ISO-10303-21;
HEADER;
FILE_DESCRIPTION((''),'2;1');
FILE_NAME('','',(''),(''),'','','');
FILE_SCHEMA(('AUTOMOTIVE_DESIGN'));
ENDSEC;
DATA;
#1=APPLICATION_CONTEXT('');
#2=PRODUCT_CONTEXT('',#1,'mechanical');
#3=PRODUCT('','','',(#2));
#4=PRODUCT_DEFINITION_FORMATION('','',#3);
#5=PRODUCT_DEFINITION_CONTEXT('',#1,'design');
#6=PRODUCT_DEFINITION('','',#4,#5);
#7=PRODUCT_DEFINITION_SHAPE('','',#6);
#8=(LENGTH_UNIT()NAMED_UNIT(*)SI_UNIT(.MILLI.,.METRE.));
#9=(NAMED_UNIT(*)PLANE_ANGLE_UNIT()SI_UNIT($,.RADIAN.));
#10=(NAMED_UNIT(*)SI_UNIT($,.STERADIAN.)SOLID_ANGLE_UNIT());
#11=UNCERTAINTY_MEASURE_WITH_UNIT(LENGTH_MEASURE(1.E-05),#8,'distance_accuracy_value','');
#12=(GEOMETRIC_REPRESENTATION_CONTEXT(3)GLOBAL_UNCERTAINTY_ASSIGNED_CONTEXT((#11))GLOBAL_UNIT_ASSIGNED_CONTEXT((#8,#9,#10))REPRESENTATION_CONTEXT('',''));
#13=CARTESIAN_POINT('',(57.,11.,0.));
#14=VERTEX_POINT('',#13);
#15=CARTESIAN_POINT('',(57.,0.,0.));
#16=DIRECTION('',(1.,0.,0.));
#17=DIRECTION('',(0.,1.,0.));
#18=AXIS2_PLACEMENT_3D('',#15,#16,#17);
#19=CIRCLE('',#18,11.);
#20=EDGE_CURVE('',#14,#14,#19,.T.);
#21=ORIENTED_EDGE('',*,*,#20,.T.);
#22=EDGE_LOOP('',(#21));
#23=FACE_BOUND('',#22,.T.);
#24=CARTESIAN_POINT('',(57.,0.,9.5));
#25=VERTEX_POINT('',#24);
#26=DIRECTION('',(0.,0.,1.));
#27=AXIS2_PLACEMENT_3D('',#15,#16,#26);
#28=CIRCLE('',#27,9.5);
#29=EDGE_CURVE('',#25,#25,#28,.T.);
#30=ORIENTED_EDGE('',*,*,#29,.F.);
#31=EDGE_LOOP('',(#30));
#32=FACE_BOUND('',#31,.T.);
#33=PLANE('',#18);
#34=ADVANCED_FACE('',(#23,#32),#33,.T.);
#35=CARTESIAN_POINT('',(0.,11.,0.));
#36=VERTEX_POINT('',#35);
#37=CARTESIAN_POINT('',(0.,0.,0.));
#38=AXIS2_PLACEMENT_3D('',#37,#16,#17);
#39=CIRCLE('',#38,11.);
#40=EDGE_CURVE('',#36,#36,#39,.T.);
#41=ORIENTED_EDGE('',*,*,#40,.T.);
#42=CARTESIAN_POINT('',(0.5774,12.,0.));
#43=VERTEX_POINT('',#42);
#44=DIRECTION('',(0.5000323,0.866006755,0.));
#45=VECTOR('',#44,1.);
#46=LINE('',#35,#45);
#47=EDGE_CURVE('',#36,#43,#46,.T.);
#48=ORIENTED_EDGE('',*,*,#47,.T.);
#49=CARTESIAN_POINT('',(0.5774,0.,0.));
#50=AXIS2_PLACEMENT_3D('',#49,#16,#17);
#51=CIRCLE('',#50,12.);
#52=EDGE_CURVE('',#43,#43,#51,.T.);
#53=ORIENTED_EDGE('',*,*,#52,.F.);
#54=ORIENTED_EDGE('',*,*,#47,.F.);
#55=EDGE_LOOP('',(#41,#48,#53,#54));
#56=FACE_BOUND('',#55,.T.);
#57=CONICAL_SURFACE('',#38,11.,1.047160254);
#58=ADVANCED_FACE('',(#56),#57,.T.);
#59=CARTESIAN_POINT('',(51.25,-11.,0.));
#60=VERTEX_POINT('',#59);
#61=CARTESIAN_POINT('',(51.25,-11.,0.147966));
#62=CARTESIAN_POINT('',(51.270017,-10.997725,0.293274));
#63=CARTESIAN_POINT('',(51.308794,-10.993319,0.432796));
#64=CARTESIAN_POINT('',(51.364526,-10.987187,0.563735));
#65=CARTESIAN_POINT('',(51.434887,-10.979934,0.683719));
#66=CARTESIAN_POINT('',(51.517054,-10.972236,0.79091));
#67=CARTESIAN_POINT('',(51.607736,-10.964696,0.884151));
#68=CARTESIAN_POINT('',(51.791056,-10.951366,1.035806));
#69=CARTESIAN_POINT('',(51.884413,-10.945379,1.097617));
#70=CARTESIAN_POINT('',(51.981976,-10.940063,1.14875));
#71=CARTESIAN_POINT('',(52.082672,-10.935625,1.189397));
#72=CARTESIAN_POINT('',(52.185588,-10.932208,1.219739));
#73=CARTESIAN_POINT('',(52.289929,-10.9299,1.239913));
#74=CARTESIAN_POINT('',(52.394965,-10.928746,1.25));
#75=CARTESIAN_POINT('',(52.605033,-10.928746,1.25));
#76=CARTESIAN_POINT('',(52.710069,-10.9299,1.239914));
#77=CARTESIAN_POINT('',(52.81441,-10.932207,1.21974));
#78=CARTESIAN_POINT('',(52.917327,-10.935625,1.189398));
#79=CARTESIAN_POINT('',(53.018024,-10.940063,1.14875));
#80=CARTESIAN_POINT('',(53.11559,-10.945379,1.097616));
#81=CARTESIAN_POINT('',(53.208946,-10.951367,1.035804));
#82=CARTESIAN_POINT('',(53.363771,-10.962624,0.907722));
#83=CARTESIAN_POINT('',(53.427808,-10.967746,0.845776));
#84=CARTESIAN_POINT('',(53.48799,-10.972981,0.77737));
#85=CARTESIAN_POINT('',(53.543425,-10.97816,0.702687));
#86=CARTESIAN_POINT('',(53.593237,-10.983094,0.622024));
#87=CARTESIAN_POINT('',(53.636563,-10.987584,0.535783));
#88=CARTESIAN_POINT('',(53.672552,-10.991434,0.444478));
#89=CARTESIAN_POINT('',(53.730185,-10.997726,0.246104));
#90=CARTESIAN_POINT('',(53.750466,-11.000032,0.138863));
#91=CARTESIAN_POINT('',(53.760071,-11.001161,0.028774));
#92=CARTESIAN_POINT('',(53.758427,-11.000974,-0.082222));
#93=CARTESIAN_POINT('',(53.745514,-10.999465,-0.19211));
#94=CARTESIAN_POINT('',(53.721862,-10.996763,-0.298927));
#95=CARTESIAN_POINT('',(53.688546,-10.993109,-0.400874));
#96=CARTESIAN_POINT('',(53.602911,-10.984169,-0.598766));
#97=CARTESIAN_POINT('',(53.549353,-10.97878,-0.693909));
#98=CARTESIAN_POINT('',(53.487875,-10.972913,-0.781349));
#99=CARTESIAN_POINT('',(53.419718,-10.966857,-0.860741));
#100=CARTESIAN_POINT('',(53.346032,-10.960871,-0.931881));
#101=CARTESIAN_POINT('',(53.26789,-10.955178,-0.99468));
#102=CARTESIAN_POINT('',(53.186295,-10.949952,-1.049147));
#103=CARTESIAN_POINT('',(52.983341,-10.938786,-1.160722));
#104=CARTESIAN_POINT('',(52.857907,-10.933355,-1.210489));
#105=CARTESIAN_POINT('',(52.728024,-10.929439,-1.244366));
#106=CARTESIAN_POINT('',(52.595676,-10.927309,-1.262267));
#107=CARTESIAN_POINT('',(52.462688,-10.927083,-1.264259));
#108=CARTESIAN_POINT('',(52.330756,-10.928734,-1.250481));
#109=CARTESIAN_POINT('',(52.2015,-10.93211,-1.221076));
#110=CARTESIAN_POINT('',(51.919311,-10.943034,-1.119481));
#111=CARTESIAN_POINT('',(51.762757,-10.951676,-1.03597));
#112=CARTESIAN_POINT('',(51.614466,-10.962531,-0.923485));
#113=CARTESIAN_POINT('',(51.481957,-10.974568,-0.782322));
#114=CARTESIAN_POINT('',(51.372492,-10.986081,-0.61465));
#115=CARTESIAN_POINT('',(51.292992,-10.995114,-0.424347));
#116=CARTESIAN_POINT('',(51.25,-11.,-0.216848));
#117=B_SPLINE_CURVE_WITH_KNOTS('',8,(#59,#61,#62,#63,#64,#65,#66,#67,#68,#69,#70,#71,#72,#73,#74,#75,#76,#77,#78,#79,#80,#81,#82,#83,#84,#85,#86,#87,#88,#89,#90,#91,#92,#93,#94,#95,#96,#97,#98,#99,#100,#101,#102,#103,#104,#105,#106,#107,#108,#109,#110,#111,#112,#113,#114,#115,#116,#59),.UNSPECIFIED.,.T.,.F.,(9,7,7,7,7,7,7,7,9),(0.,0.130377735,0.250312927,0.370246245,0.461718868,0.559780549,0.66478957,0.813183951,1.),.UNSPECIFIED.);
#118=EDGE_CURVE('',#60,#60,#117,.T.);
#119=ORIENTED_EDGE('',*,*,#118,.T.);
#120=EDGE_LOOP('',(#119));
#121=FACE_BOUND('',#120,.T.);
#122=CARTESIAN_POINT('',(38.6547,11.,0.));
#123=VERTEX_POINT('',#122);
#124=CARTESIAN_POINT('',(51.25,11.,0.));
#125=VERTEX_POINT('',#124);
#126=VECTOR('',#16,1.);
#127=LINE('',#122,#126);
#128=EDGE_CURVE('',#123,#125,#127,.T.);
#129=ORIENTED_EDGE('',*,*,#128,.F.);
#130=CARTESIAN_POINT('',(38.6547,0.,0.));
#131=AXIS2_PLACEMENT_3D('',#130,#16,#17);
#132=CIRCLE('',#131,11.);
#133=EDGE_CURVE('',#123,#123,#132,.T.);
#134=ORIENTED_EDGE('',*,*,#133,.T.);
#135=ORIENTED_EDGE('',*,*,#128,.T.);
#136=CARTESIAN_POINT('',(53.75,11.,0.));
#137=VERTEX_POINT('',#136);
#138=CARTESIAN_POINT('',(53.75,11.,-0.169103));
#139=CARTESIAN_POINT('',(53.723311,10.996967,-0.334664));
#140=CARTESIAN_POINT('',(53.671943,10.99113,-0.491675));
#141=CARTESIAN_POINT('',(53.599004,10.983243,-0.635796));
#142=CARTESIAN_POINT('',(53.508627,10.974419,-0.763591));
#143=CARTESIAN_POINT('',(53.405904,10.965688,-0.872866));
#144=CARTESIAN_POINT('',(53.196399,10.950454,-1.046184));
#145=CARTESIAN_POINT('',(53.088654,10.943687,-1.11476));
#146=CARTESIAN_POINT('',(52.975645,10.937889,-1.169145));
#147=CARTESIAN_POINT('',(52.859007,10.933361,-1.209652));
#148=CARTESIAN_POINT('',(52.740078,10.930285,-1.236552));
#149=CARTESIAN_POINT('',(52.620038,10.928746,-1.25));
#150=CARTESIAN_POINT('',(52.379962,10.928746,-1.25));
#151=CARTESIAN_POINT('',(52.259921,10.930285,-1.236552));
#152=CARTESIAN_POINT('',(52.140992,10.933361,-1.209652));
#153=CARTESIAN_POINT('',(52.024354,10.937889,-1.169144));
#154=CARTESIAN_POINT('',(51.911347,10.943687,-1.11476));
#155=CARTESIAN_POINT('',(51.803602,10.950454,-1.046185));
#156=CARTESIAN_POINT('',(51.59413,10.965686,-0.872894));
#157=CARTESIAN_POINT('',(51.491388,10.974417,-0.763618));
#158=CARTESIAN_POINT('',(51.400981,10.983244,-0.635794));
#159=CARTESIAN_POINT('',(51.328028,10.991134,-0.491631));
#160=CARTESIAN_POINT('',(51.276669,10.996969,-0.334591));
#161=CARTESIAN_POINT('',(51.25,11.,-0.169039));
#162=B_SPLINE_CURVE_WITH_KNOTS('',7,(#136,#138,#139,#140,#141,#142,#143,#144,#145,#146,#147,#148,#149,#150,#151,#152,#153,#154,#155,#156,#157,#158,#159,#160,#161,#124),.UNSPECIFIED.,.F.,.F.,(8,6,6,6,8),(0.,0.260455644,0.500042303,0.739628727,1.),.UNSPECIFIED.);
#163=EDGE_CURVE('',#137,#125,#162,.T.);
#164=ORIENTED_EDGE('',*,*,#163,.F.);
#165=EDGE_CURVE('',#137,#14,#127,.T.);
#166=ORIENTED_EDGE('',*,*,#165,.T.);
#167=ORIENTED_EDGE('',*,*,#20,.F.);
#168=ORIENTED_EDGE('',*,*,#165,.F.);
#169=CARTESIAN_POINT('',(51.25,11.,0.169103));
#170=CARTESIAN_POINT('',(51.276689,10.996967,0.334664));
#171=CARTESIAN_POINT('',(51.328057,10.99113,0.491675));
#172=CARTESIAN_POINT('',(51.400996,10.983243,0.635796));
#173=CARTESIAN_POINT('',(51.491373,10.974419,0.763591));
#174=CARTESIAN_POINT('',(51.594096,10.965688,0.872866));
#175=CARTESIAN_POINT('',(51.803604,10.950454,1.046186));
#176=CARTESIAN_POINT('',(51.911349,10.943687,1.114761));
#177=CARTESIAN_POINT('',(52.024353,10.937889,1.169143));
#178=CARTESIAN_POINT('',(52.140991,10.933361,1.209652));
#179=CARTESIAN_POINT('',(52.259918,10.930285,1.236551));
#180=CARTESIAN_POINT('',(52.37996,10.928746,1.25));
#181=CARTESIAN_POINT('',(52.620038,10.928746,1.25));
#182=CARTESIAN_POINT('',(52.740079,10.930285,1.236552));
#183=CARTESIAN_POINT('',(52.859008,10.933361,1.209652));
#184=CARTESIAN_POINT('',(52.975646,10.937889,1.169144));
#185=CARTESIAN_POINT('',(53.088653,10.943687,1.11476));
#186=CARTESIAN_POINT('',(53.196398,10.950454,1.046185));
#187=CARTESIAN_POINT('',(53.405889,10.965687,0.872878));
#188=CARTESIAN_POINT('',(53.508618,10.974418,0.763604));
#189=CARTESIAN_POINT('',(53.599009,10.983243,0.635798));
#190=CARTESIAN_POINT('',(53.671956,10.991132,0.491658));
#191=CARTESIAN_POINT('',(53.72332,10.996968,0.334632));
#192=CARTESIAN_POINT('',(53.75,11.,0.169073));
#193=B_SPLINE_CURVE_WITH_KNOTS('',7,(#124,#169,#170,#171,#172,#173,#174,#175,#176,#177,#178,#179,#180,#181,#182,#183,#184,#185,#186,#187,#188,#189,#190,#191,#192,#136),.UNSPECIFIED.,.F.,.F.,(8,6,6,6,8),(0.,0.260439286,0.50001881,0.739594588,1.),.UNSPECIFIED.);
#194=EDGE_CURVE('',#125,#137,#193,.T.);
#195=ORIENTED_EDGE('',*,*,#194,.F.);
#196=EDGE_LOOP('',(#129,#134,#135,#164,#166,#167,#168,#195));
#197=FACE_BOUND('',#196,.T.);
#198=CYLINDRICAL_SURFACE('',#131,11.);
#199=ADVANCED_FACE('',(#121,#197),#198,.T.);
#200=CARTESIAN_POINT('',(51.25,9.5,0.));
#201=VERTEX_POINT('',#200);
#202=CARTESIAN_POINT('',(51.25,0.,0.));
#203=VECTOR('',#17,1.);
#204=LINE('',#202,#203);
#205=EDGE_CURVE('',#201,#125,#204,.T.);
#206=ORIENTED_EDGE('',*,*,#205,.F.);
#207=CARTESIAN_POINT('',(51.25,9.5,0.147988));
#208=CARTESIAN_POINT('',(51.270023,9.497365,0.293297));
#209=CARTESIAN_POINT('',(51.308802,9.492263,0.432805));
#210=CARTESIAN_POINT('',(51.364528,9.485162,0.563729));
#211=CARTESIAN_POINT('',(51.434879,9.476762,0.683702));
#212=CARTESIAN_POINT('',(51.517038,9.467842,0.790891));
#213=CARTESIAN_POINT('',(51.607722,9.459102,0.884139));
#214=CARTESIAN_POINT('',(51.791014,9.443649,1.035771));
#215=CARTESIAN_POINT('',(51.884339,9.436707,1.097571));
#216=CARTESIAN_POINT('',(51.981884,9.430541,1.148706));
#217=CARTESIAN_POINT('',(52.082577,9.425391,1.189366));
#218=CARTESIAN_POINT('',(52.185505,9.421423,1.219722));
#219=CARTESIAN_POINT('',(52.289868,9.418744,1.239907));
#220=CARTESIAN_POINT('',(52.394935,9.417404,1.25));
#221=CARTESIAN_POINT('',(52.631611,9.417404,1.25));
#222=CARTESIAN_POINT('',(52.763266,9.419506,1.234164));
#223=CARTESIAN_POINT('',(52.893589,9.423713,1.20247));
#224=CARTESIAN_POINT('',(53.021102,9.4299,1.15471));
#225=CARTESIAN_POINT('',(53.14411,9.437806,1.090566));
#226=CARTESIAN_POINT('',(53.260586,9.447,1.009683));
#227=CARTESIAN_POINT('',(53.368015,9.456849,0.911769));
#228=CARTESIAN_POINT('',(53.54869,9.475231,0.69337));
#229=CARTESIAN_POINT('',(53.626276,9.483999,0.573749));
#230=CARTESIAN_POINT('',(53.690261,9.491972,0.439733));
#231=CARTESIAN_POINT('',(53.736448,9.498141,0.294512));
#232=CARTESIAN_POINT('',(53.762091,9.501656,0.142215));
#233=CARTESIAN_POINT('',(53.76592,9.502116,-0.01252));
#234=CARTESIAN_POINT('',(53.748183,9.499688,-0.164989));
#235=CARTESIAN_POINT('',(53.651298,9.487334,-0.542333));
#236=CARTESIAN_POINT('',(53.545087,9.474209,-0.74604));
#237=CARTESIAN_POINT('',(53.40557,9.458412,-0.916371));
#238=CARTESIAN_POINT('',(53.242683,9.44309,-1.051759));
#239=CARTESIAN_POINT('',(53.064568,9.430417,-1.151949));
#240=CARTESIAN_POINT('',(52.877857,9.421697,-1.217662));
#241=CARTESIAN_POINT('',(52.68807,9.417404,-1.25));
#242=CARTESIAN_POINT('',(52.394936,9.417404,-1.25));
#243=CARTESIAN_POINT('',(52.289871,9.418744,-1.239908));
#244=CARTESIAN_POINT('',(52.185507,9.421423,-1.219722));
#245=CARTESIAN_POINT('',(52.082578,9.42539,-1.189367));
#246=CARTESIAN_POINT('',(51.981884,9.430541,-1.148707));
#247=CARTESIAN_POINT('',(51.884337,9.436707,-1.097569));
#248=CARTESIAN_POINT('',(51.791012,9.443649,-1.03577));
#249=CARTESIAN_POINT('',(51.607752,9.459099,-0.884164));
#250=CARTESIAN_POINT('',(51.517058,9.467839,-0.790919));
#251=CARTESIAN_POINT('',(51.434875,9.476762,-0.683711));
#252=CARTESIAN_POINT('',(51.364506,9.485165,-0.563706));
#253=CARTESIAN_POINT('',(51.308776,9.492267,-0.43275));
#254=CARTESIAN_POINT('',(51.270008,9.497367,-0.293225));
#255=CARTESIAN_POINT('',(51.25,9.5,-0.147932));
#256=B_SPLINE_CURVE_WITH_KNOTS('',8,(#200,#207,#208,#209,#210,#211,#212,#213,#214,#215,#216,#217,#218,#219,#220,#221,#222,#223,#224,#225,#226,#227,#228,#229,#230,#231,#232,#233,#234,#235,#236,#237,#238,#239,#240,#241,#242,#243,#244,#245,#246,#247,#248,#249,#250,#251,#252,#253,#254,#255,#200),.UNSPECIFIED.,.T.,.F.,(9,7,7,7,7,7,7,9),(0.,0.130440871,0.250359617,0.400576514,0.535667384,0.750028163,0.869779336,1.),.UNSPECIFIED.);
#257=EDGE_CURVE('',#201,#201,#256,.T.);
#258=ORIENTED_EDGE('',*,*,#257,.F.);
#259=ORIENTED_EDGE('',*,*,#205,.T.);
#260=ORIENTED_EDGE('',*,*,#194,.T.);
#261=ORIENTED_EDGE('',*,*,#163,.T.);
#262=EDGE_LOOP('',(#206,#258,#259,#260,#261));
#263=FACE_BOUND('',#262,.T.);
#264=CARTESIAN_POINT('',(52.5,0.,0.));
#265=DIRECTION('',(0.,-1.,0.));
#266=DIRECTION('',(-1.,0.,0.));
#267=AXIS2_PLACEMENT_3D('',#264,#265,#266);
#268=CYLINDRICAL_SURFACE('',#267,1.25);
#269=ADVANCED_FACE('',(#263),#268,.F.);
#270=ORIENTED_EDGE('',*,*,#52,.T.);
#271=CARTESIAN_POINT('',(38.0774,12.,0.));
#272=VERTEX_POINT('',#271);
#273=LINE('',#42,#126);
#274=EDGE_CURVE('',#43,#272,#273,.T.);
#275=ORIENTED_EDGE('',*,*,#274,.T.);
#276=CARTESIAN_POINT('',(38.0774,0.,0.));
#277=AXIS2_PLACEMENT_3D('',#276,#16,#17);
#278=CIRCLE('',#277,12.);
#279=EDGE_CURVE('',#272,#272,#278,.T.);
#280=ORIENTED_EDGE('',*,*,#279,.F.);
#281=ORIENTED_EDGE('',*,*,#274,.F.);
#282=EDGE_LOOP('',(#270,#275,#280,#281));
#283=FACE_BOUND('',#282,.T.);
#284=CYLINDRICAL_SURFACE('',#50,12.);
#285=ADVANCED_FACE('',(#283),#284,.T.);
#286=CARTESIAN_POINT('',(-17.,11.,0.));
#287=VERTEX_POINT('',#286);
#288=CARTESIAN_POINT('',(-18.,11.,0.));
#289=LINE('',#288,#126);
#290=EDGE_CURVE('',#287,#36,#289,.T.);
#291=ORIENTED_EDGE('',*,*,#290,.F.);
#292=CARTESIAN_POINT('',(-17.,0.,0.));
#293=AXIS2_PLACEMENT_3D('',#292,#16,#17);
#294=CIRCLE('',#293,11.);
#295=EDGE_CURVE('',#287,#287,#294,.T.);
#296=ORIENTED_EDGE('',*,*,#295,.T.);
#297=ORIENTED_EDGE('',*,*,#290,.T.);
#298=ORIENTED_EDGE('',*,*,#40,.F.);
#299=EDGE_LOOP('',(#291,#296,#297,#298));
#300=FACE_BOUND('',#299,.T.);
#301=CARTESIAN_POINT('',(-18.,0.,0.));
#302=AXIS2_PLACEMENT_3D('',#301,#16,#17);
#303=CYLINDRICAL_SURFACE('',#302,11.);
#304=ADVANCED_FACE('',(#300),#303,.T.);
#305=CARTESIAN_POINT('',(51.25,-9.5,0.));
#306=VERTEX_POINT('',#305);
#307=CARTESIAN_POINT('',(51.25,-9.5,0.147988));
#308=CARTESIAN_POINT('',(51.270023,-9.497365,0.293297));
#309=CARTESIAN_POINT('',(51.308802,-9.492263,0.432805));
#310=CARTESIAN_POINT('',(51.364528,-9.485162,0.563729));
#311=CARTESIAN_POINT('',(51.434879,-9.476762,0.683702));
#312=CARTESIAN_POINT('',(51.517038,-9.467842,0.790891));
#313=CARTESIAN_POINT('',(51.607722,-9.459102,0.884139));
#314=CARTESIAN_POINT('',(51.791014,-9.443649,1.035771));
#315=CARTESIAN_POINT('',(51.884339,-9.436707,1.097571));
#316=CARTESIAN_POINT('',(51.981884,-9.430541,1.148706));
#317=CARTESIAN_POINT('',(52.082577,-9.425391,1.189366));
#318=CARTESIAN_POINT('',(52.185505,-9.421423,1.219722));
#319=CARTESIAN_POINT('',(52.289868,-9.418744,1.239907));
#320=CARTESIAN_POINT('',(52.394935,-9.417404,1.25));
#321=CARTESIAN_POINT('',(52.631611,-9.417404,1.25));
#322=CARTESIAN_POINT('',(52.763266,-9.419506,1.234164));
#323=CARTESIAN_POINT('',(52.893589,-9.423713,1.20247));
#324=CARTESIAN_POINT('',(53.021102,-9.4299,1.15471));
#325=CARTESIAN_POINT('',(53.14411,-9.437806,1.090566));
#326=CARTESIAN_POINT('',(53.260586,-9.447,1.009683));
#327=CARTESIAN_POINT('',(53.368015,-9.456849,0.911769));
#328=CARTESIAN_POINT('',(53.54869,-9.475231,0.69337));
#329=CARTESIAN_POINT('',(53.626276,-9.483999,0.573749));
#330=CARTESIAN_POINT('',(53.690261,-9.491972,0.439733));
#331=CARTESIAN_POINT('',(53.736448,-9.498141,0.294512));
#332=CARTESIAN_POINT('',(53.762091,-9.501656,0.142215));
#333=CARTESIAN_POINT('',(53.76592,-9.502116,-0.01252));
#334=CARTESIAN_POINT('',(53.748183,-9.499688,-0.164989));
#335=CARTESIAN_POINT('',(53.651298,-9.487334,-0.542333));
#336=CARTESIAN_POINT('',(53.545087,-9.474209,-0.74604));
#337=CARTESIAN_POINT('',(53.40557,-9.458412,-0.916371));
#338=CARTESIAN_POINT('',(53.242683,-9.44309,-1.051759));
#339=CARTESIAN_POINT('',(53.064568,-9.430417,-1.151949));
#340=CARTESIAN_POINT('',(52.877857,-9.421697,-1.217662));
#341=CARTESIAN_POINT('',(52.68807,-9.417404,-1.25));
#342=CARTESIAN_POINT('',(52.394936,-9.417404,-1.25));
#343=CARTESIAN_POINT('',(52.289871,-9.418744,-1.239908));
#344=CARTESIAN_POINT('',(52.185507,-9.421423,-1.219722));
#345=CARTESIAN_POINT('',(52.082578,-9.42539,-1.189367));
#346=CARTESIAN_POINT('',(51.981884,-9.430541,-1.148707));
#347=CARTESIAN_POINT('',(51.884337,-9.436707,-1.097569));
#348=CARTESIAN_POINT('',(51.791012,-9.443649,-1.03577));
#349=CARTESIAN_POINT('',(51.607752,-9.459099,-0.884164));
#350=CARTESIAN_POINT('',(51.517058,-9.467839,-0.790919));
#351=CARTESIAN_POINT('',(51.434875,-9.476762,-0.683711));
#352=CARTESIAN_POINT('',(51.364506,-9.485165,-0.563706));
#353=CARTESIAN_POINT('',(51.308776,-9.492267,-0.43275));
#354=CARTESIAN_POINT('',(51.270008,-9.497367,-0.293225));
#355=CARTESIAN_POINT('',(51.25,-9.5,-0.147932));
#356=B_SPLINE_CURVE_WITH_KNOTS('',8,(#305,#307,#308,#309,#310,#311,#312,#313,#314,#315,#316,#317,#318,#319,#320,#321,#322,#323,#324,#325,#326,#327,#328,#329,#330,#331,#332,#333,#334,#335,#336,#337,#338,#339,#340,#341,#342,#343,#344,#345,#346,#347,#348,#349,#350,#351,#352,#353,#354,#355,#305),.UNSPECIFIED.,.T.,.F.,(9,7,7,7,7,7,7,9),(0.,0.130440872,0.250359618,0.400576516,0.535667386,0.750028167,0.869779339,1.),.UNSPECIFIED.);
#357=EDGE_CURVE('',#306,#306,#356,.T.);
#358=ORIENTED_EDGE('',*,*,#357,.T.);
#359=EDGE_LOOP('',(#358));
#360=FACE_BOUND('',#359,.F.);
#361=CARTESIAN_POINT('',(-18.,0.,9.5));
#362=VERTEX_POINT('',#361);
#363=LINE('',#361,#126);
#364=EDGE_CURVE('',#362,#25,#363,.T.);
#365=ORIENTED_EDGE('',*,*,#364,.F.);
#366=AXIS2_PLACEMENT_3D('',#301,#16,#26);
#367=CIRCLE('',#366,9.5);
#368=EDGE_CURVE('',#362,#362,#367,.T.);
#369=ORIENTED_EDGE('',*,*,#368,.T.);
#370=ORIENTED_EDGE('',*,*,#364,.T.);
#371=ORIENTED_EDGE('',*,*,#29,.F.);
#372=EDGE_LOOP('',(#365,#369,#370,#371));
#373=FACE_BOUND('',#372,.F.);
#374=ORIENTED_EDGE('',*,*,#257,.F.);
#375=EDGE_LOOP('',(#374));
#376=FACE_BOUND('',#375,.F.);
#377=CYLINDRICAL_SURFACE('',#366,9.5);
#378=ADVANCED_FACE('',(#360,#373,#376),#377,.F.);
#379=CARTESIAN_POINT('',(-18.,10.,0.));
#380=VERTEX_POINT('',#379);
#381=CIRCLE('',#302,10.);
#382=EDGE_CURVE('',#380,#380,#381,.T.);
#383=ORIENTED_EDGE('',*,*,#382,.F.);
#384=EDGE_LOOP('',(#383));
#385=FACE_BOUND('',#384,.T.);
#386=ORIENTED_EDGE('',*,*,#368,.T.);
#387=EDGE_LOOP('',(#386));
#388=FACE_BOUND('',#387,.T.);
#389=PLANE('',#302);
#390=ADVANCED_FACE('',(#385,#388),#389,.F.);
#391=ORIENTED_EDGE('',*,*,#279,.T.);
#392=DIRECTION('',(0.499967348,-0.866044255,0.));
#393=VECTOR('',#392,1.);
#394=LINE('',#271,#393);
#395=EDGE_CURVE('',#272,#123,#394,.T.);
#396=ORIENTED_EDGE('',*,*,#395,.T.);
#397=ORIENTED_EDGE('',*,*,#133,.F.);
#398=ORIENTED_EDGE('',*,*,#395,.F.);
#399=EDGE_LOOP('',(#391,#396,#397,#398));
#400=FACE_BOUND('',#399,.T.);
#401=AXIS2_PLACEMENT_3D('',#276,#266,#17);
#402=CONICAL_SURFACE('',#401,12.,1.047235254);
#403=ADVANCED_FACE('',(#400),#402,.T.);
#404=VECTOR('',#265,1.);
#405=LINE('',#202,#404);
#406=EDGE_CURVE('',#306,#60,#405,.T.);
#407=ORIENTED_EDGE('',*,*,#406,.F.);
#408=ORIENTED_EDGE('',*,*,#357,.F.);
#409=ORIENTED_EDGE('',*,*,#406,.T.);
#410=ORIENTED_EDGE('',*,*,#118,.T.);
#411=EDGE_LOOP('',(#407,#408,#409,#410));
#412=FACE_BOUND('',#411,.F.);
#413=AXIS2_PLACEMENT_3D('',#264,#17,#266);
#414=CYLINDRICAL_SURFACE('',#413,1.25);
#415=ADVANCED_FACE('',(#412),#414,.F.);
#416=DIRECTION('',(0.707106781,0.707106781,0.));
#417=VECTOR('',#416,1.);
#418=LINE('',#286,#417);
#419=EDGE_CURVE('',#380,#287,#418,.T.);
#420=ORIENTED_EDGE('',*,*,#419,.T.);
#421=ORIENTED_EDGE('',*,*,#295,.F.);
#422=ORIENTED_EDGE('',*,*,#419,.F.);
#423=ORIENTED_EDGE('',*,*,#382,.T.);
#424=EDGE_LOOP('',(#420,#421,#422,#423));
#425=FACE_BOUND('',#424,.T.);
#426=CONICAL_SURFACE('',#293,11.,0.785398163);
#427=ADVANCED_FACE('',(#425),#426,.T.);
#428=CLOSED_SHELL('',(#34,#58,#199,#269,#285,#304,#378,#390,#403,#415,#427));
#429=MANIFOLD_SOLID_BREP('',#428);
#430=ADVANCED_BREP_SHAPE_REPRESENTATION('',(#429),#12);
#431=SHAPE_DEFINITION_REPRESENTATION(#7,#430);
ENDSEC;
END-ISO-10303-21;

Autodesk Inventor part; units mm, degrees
ref_plane "YZ Plane" through (0, 0, 0) normal (1, 0, 0) x (0, 1, 0)
ref_plane "XZ Plane" through (0, 0, 0) normal (0, 1, 0) x (-1, 0, 0)
ref_plane "XY Plane" through (0, 0, 0) normal (0, 0, 1) x (1, 0, 0)
sketch "Profile" plane through (0, 0, 0) normal (0, 0, 1) x (1, 0, 0)
  line L0 (-18, 0) -> (-18, 11)
  line L1 (-18, 11) -> (0, 11)
  line L2 (0, 11) -> (0.5774, 12)
  line L3 (0.5774, 12) -> (38.0774, 12)
  line L4 (38.0774, 12) -> (38.6547, 11)
  line L5 (38.6547, 11) -> (57, 11)
  line L6 (57, 11) -> (57, 0)
  line L7 (-18, 0) -> (0, 0)
  line L8 (0, 0) -> (0, 9)
  line L9 (0, 9) -> (49, 9)
  line L10 (49, 9) -> (49, 0)
  line L11 (49, 0) -> (57, 0)
  line L12 (-33, 0) -> (72, 0) construction
  line L13 (0, 11) -> (0, 9) construction
  dimension "BodyLength" = 75
  dimension "d1" = 11
  dimension "d3" = 120
  dimension "d4" = 120
  dimension "d5" = 37.5
  dimension "d6" = 18
  dimension "d16" = 8
  dimension "d29" = 1
  dimension "d30" = 9
revolve "ProfileRevolveFeature" add sketch "Profile" angle 360 about axis through (-10, 0, 0) along (1, 0, 0)
sketch "InsideHole" plane through (-18, 0, 0) normal (-1, 0, 0) x (0, 0, 1)
  circle A0 centre (0, 0) radius 9 construction
hole "InsideHoleFeature" at (-18, 0, 0) direction (1, 0, 0) diameter 19 end through all
chamfer "EndChamferFeature" distance 1 angle 45 1 edges at (-18, -11, 0)
sketch "CapMountHole" plane through (0, 0, 0) normal (0, 1, 0) x (-1, 0, 0)
  line L0 (-57, 11) -> (-57, -11) construction
  line L1 (14.44, 0) -> (-86.64, 0) construction
  circle A0 centre (-52.5, 0) radius 1.25
  point P0 (0, 0)
  dimension "d31" = 4.5
  dimension "d39" = 2.5
extrude "CapMountHoleFeature" cut sketch "CapMountHole" along normal through all both and the other way through all
equation "\"d5\" = 0.5 * BodyLength"
equation "\"d6\" = 0.24 * BodyLength"
properties part number "BackPair1PistonBody"
